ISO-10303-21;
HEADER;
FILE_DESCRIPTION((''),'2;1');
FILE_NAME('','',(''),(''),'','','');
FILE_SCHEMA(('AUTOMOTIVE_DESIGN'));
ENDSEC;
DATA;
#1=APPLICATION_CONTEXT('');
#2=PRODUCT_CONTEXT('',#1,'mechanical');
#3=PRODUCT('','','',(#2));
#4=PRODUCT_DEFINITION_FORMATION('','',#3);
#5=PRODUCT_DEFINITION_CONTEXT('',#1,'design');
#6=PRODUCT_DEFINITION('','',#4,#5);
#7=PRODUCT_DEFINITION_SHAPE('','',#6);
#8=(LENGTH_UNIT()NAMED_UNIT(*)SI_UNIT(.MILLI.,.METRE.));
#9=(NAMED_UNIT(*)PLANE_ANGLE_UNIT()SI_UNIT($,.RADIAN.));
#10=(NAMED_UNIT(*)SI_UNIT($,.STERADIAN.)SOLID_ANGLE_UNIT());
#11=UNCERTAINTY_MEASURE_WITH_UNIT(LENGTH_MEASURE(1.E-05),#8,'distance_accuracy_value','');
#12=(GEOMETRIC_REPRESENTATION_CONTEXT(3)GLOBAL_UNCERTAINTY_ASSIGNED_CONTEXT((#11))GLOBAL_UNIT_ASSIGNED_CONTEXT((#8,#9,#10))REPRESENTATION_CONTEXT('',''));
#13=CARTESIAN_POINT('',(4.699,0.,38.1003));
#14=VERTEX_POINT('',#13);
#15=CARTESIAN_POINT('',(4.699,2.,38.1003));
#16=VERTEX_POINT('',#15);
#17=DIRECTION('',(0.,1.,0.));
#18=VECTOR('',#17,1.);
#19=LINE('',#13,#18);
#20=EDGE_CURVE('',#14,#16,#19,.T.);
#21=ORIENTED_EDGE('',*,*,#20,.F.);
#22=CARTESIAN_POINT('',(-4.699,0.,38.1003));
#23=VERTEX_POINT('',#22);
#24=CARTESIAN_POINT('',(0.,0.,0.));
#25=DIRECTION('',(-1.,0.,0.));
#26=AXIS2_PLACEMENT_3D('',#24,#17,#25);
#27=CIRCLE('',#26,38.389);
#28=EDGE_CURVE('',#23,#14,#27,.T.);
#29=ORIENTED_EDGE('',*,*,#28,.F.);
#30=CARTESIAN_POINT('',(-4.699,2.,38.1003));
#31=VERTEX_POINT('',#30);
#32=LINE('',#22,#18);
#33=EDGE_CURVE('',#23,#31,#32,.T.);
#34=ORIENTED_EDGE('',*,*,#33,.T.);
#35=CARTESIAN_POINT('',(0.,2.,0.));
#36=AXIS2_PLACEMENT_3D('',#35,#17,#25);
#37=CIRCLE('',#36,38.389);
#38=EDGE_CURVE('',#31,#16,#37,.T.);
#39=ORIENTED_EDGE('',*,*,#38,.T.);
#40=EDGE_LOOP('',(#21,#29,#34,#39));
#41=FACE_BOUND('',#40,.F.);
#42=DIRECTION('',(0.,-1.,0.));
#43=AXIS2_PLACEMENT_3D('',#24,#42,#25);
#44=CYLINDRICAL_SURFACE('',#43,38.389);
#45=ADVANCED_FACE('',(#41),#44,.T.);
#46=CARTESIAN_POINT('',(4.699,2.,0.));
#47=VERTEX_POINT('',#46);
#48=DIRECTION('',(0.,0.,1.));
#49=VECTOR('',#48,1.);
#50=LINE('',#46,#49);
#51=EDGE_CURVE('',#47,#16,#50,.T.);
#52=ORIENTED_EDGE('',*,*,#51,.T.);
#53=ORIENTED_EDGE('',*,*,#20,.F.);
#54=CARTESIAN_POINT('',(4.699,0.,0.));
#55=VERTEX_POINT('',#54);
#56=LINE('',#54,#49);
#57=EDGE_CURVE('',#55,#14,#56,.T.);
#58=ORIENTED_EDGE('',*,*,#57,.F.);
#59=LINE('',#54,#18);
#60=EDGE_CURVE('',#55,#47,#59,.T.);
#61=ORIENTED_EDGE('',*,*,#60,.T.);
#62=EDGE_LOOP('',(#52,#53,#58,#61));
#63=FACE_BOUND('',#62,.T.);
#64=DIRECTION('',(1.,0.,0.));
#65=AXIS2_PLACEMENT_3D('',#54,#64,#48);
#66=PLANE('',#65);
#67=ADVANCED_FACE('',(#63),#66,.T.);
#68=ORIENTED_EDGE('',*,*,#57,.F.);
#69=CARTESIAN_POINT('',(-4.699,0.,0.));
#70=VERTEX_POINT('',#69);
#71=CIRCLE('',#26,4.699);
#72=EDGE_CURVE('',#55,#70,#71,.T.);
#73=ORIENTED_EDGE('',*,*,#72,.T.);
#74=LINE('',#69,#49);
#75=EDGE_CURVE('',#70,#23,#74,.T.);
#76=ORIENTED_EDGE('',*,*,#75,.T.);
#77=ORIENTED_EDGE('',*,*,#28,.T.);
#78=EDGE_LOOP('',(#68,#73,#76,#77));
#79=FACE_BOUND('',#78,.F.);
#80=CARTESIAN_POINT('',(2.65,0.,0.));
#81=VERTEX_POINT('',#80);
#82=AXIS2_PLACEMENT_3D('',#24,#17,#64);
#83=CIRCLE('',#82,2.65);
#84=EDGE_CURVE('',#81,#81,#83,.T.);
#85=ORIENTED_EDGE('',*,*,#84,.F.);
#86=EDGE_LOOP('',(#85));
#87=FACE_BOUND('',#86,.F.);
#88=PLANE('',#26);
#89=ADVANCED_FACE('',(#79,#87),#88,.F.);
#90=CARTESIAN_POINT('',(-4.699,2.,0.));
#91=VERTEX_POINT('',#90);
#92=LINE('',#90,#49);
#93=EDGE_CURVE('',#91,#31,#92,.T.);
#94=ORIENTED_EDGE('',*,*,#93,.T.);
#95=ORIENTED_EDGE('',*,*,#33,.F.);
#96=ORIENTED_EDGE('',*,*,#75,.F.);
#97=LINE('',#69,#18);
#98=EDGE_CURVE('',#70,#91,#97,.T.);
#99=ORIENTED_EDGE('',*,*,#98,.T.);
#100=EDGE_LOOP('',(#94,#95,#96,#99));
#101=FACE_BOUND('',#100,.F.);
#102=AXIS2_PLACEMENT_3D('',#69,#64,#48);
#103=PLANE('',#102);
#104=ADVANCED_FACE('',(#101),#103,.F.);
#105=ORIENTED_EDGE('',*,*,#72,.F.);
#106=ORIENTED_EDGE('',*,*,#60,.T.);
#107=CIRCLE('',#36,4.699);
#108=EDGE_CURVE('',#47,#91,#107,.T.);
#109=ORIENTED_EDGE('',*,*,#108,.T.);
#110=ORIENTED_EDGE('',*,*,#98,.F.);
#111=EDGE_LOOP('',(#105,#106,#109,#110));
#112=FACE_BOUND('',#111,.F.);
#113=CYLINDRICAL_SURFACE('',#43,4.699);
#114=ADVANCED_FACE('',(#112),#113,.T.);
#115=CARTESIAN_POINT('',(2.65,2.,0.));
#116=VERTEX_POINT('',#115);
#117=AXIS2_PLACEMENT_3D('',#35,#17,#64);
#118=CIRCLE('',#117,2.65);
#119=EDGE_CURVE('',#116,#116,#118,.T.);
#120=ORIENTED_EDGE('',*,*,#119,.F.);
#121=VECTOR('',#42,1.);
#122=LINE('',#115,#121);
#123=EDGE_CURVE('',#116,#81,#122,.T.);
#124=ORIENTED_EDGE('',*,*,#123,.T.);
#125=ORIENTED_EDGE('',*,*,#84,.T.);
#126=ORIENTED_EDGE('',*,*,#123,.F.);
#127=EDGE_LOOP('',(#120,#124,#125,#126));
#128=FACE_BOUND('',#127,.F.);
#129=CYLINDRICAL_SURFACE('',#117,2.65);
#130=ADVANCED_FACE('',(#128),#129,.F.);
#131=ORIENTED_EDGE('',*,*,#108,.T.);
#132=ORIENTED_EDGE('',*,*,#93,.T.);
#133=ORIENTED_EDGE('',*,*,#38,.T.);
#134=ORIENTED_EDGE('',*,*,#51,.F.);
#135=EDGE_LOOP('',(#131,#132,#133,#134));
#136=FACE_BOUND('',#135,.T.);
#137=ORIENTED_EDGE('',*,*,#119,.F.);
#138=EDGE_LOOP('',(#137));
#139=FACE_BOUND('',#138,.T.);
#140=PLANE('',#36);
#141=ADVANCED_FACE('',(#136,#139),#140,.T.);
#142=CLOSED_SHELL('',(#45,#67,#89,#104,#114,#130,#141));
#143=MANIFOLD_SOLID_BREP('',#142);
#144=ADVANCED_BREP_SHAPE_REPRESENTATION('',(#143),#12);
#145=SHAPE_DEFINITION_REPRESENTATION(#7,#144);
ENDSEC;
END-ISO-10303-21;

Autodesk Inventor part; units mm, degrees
ref_plane "YZ Plane" through (0, 0, 0) normal (1, 0, 0) x (0, 1, 0)
ref_plane "XZ Plane" through (0, 0, 0) normal (0, 1, 0) x (-1, 0, 0)
ref_plane "XY Plane" through (0, 0, 0) normal (0, 0, 1) x (1, 0, 0)
sketch "Sketch1" plane through (0, 0, 0) normal (0, 1, 0) x (-1, 0, 0)
  circle A0 centre (0, 0) radius 38.389
  circle A1 centre (0, 0) radius 4.699
  line L0 (4.699, 0) -> (4.699, 38.1003)
  line L1 (-4.699, 0) -> (-4.699, 38.1003)
  dimension "d0" = 76.778
  dimension "d1" = 9.398
extrude "Extrusion1" add sketch "Sketch1" along normal blind 2 contours L0 A1 L1 A0 | A1 picked at (-0.1888, 27.1262)
sketch "Sketch2" plane through (0, 2, 0) normal (0, 1, 0) x (1, 0, 0)
  circle A0 centre (0, 0) radius 2.65
  dimension "d4" = 5.3
extrude "Extrusion2" cut sketch "Sketch2" against normal through all
properties part number "Hour hand test 2"
